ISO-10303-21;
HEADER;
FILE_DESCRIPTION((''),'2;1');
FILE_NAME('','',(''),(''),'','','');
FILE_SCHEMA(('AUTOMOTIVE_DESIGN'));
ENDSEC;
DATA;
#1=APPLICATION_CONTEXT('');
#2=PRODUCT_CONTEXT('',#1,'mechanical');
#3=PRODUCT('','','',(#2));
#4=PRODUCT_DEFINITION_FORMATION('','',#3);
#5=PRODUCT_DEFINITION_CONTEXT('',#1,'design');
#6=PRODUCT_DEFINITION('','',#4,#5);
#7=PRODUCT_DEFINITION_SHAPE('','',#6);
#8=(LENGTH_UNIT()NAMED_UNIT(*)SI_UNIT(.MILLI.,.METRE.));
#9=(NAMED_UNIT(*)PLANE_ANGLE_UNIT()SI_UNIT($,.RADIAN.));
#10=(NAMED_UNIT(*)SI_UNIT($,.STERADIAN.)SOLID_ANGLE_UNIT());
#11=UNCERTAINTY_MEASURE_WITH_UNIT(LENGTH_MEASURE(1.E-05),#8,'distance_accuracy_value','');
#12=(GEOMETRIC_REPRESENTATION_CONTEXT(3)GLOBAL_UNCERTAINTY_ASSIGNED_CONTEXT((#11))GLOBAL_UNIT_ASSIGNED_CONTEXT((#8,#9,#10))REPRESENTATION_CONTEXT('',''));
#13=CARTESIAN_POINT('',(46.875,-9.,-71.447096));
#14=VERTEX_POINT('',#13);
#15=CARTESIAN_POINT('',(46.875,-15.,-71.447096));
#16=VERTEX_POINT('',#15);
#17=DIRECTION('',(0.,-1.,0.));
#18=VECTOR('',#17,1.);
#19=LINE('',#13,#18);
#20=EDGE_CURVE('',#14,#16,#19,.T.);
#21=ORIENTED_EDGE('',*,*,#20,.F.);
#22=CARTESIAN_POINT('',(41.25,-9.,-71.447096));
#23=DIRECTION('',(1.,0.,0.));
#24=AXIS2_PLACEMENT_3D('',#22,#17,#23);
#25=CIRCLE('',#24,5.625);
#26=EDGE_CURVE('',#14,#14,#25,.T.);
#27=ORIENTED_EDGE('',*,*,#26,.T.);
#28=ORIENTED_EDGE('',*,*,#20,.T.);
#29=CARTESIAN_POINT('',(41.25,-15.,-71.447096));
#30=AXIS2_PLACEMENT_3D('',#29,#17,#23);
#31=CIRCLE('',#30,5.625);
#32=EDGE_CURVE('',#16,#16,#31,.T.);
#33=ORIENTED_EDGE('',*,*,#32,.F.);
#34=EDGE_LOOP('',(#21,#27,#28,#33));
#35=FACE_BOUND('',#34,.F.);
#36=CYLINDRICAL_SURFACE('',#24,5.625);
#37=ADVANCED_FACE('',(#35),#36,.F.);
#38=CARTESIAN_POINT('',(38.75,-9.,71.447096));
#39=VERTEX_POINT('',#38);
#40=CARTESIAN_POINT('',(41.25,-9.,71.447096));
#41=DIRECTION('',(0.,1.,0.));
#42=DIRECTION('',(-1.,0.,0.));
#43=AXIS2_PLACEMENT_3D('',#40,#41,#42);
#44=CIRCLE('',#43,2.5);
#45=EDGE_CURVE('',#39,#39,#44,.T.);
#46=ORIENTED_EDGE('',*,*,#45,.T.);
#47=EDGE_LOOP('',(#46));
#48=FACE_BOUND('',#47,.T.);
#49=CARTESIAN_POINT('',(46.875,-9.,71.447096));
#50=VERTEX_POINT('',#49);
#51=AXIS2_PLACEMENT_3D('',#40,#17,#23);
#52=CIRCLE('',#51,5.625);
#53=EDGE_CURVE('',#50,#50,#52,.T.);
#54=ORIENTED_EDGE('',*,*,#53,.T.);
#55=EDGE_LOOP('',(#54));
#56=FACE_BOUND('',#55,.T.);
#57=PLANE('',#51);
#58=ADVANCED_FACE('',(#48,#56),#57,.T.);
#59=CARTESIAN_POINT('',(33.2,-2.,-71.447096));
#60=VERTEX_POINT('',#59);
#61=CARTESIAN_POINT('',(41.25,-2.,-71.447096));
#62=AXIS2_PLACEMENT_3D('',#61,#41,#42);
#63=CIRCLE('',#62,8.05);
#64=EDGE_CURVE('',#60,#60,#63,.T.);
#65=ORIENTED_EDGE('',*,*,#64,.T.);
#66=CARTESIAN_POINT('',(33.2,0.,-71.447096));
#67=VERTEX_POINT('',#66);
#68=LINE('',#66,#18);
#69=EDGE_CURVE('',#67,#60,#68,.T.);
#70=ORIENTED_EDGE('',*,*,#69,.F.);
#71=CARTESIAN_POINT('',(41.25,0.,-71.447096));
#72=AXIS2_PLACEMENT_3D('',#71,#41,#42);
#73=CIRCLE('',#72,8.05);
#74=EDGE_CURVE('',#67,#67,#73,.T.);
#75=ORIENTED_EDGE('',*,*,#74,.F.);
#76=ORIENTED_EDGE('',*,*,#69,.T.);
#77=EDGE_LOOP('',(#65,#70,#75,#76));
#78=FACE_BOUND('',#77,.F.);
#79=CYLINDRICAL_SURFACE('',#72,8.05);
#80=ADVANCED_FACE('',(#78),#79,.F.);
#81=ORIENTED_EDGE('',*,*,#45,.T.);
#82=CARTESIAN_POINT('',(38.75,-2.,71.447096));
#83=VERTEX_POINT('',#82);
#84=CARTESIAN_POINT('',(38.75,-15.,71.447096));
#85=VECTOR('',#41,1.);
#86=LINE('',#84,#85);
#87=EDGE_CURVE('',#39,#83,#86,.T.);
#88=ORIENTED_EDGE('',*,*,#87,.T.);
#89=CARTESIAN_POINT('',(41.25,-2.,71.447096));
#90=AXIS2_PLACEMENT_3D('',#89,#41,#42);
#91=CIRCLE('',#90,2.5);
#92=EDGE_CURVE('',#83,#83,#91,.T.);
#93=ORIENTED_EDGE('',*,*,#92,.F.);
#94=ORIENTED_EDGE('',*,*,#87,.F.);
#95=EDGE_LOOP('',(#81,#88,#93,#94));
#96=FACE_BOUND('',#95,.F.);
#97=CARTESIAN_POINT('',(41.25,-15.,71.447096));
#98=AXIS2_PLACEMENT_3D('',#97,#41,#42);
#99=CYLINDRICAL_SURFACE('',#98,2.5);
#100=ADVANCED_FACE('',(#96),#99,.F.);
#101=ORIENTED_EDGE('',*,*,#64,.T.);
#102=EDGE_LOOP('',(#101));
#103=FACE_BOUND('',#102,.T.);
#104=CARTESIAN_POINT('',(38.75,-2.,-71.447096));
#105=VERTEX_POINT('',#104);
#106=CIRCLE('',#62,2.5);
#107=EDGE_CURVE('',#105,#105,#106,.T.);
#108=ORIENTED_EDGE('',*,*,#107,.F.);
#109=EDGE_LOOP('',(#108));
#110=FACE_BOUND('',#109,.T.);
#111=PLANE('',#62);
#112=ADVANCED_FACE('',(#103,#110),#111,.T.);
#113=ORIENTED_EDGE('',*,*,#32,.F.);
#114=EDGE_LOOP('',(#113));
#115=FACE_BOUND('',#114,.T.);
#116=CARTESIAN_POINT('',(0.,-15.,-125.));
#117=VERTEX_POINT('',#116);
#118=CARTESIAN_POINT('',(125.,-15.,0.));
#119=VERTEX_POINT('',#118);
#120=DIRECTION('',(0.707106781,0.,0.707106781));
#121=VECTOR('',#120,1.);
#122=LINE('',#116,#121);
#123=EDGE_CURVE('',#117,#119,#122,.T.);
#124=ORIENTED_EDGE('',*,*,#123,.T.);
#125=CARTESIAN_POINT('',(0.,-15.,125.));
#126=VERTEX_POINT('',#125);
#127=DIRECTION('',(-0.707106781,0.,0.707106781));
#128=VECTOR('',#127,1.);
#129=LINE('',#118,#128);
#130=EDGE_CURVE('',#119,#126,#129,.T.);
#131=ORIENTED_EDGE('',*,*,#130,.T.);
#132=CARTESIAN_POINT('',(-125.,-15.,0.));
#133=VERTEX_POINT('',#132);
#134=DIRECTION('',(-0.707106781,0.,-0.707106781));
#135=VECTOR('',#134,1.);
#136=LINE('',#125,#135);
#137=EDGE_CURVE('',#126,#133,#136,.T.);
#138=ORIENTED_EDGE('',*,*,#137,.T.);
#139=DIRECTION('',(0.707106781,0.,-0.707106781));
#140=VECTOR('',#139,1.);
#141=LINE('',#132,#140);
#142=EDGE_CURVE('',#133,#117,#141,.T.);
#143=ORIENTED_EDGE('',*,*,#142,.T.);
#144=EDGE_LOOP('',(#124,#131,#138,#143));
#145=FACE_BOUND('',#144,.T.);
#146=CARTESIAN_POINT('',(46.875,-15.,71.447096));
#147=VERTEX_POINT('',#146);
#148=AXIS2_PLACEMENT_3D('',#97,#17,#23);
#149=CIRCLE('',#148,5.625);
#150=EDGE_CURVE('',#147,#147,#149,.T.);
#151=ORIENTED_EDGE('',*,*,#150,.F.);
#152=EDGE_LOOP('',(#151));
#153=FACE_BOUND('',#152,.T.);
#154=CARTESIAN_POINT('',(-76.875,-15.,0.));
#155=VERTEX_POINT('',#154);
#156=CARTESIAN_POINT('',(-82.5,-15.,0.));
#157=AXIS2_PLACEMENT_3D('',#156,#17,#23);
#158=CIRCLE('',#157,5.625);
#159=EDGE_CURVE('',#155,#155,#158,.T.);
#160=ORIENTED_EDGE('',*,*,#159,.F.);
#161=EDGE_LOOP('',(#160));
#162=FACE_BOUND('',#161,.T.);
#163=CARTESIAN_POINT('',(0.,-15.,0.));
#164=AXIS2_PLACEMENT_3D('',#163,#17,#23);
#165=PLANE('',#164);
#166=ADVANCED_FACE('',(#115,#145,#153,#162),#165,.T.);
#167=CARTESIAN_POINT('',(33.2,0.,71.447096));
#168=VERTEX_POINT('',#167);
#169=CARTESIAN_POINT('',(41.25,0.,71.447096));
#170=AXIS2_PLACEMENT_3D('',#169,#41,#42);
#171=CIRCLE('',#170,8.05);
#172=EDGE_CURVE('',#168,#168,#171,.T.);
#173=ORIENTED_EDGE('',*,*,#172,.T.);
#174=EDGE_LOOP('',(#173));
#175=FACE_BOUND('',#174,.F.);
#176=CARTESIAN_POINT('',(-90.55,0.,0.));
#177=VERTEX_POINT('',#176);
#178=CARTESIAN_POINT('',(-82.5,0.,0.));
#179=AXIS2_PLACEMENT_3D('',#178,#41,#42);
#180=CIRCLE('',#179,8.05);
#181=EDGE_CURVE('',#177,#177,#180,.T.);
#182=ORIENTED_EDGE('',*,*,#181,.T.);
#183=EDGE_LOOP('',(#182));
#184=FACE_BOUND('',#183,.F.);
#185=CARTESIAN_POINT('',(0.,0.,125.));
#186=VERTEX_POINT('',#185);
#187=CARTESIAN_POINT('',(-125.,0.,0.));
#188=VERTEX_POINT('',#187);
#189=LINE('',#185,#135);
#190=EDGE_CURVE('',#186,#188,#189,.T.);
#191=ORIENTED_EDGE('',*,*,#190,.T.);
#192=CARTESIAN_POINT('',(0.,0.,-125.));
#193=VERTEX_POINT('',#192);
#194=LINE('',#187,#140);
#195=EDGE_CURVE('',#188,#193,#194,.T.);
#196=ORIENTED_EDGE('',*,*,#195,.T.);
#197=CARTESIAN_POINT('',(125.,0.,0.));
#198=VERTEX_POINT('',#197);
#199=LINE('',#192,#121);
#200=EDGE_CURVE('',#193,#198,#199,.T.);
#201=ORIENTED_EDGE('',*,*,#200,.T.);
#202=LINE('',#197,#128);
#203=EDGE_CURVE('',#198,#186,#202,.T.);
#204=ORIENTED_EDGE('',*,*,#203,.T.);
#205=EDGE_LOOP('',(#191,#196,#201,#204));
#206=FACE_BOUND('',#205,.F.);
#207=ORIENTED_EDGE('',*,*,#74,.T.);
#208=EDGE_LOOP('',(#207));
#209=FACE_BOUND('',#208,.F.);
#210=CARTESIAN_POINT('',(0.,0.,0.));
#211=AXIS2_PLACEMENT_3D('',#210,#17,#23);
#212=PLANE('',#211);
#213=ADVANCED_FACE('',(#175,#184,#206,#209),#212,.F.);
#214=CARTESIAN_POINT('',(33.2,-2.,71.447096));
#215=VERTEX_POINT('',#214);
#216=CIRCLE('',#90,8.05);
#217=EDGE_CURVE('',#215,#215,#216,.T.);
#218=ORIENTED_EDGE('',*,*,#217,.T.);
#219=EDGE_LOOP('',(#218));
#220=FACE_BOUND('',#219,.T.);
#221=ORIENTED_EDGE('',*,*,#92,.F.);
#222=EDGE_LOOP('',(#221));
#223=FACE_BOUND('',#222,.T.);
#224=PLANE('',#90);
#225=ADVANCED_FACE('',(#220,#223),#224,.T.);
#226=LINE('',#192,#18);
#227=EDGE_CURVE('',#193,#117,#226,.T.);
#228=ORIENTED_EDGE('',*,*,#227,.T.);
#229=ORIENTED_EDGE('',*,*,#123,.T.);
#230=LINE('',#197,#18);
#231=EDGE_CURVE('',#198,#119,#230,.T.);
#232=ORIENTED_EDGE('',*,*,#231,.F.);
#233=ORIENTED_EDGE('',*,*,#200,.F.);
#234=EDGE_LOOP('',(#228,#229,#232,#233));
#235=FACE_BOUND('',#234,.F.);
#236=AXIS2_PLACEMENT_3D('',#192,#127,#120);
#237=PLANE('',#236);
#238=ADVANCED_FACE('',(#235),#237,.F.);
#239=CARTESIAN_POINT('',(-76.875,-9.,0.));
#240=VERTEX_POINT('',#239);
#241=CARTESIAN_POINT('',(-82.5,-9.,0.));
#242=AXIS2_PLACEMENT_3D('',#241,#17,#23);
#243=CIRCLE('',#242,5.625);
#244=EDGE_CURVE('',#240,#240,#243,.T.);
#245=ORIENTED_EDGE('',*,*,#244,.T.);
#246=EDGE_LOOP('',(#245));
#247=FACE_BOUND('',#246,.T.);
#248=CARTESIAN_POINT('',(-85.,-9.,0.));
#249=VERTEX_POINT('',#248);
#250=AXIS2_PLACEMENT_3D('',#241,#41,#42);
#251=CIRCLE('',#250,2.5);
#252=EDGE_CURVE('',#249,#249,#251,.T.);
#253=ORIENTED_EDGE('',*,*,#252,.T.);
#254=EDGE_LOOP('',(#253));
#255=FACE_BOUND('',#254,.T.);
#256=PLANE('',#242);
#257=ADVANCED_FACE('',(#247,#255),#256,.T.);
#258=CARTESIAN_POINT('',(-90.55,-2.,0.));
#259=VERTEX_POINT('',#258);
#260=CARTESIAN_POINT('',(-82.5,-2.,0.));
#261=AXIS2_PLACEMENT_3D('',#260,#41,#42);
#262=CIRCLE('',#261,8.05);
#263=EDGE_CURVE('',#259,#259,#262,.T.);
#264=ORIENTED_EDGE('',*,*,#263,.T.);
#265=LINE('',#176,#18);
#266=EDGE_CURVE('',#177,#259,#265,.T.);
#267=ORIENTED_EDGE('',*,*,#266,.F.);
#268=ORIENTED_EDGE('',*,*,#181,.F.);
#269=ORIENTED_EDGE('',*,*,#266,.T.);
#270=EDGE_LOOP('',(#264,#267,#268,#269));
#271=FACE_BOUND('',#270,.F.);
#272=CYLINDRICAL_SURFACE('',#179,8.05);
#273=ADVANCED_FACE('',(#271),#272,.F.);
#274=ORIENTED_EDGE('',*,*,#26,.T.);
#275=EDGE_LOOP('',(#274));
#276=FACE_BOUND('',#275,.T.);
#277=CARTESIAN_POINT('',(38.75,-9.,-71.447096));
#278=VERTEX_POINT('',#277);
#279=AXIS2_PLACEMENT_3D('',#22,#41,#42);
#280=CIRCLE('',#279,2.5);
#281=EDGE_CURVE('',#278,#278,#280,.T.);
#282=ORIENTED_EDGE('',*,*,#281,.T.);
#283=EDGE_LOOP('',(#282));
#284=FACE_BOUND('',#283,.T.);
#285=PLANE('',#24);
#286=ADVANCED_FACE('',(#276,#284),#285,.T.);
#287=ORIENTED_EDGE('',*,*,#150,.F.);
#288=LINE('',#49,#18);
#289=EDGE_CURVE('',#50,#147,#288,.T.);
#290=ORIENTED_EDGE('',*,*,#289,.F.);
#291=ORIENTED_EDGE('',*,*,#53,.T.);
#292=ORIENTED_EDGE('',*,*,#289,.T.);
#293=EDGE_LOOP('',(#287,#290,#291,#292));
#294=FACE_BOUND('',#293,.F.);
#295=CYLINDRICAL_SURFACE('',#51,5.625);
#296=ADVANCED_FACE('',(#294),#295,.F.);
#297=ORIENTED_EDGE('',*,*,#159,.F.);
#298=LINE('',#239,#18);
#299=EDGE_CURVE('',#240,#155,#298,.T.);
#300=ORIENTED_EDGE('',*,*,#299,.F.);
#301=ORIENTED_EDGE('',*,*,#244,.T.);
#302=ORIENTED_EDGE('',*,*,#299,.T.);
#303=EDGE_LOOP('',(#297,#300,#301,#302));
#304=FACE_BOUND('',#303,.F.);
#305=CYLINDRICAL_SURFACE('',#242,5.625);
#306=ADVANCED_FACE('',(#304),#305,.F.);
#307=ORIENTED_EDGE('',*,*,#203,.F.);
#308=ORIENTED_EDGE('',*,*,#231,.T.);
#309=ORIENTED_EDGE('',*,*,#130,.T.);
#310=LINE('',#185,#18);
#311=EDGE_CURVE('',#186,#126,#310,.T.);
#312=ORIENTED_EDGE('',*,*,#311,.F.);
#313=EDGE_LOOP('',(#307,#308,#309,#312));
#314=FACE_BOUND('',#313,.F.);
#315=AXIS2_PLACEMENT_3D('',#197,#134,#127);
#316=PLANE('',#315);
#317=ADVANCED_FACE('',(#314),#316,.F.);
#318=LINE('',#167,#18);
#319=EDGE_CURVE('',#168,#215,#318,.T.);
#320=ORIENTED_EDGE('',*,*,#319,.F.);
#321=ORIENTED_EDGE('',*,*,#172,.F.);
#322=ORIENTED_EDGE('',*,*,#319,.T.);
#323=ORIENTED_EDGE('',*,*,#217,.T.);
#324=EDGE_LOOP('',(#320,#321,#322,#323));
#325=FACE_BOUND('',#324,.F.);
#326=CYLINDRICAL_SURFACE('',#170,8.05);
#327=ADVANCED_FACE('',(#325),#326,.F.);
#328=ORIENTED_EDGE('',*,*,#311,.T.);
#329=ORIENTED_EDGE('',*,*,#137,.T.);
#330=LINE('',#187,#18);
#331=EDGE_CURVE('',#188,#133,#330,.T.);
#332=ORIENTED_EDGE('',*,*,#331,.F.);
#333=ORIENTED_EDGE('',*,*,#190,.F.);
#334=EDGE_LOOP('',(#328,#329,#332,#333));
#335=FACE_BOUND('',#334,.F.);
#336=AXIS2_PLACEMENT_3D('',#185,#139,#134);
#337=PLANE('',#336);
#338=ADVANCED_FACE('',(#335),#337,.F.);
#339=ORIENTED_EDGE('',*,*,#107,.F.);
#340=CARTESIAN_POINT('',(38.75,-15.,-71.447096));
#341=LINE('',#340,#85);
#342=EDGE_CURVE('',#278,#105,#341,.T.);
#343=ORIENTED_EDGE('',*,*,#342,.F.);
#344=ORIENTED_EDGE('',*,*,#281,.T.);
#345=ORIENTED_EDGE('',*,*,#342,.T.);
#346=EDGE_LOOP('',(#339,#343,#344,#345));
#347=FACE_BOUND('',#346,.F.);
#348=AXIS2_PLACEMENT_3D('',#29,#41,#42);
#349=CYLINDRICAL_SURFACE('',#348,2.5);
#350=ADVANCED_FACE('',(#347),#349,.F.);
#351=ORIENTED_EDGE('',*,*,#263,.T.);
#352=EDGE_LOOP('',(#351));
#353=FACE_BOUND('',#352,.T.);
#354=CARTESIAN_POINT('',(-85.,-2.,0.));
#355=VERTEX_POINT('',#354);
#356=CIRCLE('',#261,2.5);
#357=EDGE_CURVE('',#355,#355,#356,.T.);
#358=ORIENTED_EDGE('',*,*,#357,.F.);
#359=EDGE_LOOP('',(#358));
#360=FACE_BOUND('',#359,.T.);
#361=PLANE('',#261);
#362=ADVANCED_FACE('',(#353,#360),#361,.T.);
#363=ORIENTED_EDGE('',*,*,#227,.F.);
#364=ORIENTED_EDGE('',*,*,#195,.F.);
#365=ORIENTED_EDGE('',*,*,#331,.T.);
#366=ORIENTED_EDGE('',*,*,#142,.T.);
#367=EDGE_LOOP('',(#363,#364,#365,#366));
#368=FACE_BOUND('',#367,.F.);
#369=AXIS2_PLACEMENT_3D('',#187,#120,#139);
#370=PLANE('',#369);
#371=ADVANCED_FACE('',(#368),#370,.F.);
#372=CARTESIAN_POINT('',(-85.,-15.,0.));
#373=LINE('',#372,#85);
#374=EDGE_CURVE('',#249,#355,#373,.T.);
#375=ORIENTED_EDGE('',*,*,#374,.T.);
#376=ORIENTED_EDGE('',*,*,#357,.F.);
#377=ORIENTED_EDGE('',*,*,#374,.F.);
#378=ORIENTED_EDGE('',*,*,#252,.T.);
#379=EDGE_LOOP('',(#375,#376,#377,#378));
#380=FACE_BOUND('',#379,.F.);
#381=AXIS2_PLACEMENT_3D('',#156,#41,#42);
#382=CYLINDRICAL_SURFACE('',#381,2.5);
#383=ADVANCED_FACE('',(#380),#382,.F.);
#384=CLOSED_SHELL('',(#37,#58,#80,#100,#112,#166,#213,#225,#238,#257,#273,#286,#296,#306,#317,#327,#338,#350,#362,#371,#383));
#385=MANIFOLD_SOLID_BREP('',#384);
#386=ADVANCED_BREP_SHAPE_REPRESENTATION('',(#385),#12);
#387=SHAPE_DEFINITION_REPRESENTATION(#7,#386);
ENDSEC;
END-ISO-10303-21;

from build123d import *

# Parameters (mm, degrees)
F1_DEPTH       = 15
F3_D           = 5
F3_CBORE_D     = 11.25
F3_CBORE_DEPTH = 6
F4_R           = 8.05
F5_DEPTH       = 2


with BuildPart() as f1:
    # F0 (on Front) → F1 (new body)
    with BuildSketch(Plane.XZ):
        Polygon((125, 0), (0, 125), (-125, 0), (0, -125), align=None)
    extrude(amount=F1_DEPTH)

    # F3 (through all)
    with Locations(Plane.XZ.offset(15)):
        with Locations((-82.5, 0), (41.25, -71.4470958122), (41.25, 71.4470958122)):
            CounterBoreHole(F3_D / 2, F3_CBORE_D / 2, F3_CBORE_DEPTH)

    # F4 (on face) → F5 (cut)
    with BuildSketch(Plane(origin=(0, 0, 0), x_dir=(-1, 0, 0), z_dir=(0, 1, 0))):
        with Locations((82.5, 0)):
            Circle(F4_R)
        with Locations((-41.25, -71.4470958122)):
            Circle(F4_R)
        with Locations((-41.25, 71.4470958122)):
            Circle(F4_R)
    extrude(amount=-F5_DEPTH, mode=Mode.SUBTRACT)


solid = f1.part
